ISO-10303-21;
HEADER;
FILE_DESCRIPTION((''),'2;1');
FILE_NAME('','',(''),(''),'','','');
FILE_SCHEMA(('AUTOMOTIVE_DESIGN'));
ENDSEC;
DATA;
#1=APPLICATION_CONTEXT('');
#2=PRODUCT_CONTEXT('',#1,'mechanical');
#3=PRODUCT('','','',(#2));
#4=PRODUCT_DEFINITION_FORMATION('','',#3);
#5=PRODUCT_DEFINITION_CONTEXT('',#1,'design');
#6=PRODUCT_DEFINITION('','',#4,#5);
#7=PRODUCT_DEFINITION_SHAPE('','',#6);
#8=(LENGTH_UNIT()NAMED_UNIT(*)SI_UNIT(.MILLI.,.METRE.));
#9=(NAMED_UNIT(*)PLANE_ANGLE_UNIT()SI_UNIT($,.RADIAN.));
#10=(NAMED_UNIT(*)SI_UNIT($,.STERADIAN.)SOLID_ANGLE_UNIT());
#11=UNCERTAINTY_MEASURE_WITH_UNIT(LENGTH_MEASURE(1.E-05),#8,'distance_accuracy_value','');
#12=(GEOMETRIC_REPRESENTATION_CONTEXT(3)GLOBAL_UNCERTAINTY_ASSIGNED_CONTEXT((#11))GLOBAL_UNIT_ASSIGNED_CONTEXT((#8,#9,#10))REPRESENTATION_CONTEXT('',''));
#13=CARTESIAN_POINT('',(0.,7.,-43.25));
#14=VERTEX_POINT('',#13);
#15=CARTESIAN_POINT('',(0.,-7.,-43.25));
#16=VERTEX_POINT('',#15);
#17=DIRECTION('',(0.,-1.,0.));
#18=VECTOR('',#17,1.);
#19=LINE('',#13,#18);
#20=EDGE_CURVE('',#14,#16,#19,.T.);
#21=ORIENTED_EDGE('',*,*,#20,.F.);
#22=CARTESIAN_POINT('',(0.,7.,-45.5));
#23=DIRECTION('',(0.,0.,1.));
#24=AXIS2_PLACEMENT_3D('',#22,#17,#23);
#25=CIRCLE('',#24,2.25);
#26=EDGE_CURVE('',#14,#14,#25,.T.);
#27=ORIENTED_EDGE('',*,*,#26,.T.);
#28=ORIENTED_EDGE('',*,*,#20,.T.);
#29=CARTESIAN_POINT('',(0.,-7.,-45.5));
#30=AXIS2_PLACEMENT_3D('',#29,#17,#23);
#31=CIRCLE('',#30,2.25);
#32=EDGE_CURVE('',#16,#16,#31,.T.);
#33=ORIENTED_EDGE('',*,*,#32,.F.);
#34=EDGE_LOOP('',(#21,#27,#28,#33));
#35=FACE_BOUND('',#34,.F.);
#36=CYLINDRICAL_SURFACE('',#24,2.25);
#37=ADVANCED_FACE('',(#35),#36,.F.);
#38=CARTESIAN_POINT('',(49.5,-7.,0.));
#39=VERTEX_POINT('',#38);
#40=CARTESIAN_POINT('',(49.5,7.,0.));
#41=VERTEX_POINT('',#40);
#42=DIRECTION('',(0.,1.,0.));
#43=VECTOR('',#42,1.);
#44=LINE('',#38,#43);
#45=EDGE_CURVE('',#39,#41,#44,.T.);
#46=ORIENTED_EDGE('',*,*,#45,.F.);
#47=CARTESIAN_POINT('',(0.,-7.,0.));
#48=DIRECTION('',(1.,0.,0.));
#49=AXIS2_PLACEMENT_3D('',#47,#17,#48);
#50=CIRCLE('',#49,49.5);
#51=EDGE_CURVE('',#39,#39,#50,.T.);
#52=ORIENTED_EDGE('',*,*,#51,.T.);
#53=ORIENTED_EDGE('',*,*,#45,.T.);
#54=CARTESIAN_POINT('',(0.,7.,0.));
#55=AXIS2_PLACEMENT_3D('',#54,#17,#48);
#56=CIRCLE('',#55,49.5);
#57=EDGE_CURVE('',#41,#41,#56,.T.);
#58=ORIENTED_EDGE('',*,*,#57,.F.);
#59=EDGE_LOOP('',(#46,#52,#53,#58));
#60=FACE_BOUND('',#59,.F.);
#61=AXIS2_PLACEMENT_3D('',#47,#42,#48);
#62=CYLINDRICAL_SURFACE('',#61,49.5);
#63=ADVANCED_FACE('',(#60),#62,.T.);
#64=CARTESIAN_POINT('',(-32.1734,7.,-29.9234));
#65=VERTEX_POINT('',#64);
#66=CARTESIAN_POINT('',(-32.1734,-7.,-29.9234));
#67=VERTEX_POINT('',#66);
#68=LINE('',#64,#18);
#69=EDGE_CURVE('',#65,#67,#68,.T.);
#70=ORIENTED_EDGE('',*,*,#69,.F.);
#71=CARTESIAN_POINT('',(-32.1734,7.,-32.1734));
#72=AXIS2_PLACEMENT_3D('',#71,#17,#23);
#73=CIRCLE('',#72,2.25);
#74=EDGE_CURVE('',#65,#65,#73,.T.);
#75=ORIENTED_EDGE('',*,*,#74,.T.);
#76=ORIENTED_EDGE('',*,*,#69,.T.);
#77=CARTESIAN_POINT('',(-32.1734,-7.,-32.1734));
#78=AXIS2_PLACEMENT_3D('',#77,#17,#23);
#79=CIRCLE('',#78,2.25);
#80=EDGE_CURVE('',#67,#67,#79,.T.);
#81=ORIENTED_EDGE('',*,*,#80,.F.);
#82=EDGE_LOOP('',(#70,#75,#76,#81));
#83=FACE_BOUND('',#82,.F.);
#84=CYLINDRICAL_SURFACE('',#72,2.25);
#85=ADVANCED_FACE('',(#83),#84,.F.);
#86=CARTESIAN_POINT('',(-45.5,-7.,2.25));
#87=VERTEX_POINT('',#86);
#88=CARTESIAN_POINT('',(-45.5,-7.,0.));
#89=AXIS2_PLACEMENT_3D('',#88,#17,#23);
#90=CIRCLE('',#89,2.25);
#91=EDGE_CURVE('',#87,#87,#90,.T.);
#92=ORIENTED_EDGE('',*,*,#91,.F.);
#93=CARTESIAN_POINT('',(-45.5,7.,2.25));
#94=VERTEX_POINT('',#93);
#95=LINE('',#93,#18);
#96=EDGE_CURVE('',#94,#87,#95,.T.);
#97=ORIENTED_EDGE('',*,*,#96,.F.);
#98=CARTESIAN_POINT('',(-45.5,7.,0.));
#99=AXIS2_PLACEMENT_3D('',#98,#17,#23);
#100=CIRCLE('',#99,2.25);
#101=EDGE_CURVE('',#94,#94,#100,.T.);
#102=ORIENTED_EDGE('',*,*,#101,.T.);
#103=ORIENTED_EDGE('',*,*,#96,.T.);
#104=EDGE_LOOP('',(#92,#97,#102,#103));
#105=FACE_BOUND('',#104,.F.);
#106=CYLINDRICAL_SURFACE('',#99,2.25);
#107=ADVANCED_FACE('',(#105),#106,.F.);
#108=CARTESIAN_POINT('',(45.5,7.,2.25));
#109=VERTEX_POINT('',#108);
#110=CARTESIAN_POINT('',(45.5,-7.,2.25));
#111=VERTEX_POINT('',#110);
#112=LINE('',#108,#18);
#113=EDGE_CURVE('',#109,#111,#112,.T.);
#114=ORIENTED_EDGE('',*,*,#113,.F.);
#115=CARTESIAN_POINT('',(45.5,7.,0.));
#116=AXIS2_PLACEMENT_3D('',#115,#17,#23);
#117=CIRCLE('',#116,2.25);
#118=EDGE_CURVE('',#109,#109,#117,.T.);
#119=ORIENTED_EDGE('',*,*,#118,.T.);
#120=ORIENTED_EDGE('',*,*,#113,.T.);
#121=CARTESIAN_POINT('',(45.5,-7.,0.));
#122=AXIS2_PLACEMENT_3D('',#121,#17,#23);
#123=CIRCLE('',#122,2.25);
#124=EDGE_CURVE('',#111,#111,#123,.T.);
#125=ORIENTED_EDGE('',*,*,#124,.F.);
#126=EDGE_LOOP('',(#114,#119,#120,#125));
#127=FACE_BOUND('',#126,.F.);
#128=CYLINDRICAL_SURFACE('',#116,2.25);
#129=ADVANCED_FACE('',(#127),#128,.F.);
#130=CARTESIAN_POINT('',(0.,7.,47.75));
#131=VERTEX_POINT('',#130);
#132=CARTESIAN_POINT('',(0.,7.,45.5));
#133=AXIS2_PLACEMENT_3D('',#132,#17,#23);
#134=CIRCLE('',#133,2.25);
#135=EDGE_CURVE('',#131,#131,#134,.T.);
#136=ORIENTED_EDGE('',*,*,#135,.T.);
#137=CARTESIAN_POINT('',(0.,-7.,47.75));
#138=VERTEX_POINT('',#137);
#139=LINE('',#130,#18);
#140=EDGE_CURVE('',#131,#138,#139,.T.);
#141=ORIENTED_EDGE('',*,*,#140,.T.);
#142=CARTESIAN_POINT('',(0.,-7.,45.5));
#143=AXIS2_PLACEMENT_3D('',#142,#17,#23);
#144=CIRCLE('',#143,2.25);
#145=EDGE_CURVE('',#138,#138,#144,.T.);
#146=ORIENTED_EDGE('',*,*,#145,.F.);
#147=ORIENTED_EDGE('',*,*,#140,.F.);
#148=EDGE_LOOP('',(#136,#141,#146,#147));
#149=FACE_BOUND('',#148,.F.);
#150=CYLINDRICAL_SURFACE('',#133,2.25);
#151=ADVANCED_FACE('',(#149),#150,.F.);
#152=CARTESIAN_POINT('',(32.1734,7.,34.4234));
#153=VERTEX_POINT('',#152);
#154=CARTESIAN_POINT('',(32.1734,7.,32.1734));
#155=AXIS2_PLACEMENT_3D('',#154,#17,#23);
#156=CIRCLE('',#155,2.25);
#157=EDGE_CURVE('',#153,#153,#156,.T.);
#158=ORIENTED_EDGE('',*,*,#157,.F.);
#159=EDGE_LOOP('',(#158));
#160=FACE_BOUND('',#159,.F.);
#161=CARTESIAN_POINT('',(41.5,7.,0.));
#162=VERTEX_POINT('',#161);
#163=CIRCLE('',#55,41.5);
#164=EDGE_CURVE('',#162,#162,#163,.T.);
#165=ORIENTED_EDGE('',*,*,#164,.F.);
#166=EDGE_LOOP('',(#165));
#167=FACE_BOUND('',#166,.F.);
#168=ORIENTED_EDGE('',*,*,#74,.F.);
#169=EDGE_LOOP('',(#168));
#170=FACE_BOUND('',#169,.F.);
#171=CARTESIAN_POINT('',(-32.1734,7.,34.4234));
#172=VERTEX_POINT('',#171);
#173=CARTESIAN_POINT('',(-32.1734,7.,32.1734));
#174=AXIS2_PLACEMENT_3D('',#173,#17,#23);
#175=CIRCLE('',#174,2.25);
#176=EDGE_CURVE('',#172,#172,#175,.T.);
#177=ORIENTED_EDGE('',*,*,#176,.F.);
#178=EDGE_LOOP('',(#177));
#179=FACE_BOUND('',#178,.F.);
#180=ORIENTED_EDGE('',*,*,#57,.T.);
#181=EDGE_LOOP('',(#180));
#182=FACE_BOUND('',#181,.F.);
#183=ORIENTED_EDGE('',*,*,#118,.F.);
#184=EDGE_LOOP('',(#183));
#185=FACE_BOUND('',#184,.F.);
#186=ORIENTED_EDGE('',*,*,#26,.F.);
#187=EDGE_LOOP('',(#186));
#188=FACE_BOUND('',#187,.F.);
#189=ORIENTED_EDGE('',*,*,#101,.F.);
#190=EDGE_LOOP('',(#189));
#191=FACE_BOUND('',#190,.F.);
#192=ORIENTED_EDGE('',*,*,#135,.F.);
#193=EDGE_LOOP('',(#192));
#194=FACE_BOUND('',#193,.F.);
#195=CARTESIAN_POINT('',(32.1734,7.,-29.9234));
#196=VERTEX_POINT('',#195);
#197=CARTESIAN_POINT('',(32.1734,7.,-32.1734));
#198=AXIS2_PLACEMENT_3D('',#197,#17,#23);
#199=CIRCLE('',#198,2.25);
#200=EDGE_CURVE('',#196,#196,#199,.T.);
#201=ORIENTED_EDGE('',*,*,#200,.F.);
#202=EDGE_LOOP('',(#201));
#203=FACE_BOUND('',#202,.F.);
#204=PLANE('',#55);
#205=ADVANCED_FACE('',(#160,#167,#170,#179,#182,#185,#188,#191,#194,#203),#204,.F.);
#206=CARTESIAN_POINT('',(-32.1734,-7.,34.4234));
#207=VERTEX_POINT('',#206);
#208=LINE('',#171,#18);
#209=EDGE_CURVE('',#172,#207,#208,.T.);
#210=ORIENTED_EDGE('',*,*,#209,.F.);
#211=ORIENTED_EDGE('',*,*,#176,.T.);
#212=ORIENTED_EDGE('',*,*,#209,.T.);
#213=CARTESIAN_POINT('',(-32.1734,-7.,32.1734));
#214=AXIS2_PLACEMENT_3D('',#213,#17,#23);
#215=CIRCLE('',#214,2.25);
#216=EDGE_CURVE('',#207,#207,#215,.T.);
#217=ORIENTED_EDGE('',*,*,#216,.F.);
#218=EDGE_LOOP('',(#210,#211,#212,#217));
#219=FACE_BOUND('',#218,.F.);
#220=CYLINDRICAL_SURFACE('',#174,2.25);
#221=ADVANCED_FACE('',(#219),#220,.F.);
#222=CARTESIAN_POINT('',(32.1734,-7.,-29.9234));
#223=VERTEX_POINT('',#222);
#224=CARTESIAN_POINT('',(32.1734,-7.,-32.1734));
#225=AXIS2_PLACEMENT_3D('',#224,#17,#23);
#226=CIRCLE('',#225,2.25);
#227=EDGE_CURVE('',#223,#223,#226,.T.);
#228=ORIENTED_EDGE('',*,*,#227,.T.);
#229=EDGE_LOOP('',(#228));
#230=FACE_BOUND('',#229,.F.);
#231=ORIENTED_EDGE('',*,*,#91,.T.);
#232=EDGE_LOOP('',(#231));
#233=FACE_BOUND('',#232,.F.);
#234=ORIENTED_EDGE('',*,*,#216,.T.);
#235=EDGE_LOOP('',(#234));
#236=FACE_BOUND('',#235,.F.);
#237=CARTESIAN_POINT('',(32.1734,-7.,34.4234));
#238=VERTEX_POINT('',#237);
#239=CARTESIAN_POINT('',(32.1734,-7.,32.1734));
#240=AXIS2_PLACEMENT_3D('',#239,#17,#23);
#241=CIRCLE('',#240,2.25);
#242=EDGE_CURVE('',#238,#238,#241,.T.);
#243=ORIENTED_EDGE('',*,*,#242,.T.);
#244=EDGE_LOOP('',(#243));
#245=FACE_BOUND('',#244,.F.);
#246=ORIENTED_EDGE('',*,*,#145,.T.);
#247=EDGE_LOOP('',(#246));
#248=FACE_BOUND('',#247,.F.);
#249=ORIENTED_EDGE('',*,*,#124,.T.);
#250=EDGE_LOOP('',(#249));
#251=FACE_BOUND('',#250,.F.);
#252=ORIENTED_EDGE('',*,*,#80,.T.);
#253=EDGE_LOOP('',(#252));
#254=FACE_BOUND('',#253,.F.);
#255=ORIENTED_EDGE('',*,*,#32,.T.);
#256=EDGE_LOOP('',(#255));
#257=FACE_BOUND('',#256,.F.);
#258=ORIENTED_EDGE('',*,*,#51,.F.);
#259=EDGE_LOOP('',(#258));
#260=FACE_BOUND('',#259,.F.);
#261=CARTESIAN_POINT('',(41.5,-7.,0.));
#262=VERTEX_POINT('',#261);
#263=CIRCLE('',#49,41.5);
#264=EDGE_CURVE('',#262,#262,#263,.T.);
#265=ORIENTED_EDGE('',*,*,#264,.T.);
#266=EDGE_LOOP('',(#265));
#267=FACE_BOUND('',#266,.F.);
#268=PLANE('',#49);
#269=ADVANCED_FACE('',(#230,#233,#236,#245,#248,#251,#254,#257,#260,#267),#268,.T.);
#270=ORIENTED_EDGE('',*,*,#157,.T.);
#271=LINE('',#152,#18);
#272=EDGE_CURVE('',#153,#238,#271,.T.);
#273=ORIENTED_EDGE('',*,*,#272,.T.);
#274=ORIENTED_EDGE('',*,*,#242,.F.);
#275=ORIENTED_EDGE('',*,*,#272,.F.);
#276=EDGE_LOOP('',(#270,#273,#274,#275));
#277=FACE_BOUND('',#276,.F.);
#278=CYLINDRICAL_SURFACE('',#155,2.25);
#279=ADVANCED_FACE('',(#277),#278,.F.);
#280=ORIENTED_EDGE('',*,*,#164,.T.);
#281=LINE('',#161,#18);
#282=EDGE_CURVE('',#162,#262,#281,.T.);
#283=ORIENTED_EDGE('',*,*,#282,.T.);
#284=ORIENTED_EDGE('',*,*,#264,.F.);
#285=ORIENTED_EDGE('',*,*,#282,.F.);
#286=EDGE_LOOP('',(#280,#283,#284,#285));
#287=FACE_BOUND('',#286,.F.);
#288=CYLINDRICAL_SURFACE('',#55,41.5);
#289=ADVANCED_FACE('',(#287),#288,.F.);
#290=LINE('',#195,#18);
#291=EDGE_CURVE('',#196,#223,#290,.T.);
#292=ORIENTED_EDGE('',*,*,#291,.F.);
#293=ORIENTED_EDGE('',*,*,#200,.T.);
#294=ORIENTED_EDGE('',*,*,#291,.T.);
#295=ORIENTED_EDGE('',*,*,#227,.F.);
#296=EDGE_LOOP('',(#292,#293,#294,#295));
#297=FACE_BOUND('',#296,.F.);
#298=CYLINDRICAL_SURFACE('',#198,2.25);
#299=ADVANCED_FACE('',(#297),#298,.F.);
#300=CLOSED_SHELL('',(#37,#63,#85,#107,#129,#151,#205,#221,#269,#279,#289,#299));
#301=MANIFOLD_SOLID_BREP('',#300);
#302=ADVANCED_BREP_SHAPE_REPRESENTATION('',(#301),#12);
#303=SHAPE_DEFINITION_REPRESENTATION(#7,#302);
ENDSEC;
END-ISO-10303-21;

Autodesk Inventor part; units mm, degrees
ref_plane "YZ Plane" through (0, 0, 0) normal (1, 0, 0) x (0, 1, 0)
ref_plane "XZ Plane" through (0, 0, 0) normal (0, 1, 0) x (-1, 0, 0)
ref_plane "XY Plane" through (0, 0, 0) normal (0, 0, 1) x (1, 0, 0)
sketch "Sketch1" plane through (0, 0, 0) normal (0, 0, 1) x (1, 0, 0)
  line L0 (0, 9.8) -> (0, -9.8) construction
  line L1 (-9.9, 0) -> (59.4, 0) construction
  line L2 (41.5, 7) -> (41.5, -7)
  line L3 (41.5, -7) -> (49.5, -7)
  line L4 (49.5, -7) -> (49.5, 7)
  line L5 (49.5, 7) -> (41.5, 7)
  line L6 (45.5, 7) -> (45.5, -7) construction
  point P0 (0, 0)
  dimension "d0" = 45.5
  dimension "d1" = 4
  dimension "d2" = 14
revolve "Revolution1" add sketch "Sketch1" angle 360 about axis through (0, 0, 0) along (0, -1, 0)
sketch "Sketch2" plane through (0, 7, 0) normal (0, 1, 0) x (1, 0, 0)
  line L0 (0, 69.3) -> (0, -69.3) construction
  line L1 (69.3, 0) -> (-69.3, 0) construction
  circle A0 centre (0, 0) radius 45.5 construction
  circle A1 centre (0, 0) radius 49.5 construction
  circle A2 centre (0, 0) radius 41.5 construction
  point P0 (-45.5, 0)
  point P1 (-32.1734, -32.1734)
  point P2 (0, -45.5)
  point P3 (32.1734, -32.1734)
  point P4 (45.5, 0)
  point P5 (32.1734, 32.1734)
  point P6 (0, 45.5)
  point P7 (-32.1734, 32.1734)
  dimension "d4" = 4
  dimension "d5" = 4
  dimension "d8" = 360
hole "Hole1" at (-45.5, 7, 0) at (-32.1734, 7, 32.1734) at (0, 7, 45.5) at (32.1734, 7, 32.1734) at (45.5, 7, 0) at (32.1734, 7, -32.1734) at (0, 7, -45.5) at (-32.1734, 7, -32.1734) direction (0, -1, 0) diameter 4.5 end through all clearance for "Flat Head Machine Screw" size "M4" standard "Ansi Metric M Profile"
equation "\"d4\" = d5"
properties part number "Adapter_bearing_joint"
